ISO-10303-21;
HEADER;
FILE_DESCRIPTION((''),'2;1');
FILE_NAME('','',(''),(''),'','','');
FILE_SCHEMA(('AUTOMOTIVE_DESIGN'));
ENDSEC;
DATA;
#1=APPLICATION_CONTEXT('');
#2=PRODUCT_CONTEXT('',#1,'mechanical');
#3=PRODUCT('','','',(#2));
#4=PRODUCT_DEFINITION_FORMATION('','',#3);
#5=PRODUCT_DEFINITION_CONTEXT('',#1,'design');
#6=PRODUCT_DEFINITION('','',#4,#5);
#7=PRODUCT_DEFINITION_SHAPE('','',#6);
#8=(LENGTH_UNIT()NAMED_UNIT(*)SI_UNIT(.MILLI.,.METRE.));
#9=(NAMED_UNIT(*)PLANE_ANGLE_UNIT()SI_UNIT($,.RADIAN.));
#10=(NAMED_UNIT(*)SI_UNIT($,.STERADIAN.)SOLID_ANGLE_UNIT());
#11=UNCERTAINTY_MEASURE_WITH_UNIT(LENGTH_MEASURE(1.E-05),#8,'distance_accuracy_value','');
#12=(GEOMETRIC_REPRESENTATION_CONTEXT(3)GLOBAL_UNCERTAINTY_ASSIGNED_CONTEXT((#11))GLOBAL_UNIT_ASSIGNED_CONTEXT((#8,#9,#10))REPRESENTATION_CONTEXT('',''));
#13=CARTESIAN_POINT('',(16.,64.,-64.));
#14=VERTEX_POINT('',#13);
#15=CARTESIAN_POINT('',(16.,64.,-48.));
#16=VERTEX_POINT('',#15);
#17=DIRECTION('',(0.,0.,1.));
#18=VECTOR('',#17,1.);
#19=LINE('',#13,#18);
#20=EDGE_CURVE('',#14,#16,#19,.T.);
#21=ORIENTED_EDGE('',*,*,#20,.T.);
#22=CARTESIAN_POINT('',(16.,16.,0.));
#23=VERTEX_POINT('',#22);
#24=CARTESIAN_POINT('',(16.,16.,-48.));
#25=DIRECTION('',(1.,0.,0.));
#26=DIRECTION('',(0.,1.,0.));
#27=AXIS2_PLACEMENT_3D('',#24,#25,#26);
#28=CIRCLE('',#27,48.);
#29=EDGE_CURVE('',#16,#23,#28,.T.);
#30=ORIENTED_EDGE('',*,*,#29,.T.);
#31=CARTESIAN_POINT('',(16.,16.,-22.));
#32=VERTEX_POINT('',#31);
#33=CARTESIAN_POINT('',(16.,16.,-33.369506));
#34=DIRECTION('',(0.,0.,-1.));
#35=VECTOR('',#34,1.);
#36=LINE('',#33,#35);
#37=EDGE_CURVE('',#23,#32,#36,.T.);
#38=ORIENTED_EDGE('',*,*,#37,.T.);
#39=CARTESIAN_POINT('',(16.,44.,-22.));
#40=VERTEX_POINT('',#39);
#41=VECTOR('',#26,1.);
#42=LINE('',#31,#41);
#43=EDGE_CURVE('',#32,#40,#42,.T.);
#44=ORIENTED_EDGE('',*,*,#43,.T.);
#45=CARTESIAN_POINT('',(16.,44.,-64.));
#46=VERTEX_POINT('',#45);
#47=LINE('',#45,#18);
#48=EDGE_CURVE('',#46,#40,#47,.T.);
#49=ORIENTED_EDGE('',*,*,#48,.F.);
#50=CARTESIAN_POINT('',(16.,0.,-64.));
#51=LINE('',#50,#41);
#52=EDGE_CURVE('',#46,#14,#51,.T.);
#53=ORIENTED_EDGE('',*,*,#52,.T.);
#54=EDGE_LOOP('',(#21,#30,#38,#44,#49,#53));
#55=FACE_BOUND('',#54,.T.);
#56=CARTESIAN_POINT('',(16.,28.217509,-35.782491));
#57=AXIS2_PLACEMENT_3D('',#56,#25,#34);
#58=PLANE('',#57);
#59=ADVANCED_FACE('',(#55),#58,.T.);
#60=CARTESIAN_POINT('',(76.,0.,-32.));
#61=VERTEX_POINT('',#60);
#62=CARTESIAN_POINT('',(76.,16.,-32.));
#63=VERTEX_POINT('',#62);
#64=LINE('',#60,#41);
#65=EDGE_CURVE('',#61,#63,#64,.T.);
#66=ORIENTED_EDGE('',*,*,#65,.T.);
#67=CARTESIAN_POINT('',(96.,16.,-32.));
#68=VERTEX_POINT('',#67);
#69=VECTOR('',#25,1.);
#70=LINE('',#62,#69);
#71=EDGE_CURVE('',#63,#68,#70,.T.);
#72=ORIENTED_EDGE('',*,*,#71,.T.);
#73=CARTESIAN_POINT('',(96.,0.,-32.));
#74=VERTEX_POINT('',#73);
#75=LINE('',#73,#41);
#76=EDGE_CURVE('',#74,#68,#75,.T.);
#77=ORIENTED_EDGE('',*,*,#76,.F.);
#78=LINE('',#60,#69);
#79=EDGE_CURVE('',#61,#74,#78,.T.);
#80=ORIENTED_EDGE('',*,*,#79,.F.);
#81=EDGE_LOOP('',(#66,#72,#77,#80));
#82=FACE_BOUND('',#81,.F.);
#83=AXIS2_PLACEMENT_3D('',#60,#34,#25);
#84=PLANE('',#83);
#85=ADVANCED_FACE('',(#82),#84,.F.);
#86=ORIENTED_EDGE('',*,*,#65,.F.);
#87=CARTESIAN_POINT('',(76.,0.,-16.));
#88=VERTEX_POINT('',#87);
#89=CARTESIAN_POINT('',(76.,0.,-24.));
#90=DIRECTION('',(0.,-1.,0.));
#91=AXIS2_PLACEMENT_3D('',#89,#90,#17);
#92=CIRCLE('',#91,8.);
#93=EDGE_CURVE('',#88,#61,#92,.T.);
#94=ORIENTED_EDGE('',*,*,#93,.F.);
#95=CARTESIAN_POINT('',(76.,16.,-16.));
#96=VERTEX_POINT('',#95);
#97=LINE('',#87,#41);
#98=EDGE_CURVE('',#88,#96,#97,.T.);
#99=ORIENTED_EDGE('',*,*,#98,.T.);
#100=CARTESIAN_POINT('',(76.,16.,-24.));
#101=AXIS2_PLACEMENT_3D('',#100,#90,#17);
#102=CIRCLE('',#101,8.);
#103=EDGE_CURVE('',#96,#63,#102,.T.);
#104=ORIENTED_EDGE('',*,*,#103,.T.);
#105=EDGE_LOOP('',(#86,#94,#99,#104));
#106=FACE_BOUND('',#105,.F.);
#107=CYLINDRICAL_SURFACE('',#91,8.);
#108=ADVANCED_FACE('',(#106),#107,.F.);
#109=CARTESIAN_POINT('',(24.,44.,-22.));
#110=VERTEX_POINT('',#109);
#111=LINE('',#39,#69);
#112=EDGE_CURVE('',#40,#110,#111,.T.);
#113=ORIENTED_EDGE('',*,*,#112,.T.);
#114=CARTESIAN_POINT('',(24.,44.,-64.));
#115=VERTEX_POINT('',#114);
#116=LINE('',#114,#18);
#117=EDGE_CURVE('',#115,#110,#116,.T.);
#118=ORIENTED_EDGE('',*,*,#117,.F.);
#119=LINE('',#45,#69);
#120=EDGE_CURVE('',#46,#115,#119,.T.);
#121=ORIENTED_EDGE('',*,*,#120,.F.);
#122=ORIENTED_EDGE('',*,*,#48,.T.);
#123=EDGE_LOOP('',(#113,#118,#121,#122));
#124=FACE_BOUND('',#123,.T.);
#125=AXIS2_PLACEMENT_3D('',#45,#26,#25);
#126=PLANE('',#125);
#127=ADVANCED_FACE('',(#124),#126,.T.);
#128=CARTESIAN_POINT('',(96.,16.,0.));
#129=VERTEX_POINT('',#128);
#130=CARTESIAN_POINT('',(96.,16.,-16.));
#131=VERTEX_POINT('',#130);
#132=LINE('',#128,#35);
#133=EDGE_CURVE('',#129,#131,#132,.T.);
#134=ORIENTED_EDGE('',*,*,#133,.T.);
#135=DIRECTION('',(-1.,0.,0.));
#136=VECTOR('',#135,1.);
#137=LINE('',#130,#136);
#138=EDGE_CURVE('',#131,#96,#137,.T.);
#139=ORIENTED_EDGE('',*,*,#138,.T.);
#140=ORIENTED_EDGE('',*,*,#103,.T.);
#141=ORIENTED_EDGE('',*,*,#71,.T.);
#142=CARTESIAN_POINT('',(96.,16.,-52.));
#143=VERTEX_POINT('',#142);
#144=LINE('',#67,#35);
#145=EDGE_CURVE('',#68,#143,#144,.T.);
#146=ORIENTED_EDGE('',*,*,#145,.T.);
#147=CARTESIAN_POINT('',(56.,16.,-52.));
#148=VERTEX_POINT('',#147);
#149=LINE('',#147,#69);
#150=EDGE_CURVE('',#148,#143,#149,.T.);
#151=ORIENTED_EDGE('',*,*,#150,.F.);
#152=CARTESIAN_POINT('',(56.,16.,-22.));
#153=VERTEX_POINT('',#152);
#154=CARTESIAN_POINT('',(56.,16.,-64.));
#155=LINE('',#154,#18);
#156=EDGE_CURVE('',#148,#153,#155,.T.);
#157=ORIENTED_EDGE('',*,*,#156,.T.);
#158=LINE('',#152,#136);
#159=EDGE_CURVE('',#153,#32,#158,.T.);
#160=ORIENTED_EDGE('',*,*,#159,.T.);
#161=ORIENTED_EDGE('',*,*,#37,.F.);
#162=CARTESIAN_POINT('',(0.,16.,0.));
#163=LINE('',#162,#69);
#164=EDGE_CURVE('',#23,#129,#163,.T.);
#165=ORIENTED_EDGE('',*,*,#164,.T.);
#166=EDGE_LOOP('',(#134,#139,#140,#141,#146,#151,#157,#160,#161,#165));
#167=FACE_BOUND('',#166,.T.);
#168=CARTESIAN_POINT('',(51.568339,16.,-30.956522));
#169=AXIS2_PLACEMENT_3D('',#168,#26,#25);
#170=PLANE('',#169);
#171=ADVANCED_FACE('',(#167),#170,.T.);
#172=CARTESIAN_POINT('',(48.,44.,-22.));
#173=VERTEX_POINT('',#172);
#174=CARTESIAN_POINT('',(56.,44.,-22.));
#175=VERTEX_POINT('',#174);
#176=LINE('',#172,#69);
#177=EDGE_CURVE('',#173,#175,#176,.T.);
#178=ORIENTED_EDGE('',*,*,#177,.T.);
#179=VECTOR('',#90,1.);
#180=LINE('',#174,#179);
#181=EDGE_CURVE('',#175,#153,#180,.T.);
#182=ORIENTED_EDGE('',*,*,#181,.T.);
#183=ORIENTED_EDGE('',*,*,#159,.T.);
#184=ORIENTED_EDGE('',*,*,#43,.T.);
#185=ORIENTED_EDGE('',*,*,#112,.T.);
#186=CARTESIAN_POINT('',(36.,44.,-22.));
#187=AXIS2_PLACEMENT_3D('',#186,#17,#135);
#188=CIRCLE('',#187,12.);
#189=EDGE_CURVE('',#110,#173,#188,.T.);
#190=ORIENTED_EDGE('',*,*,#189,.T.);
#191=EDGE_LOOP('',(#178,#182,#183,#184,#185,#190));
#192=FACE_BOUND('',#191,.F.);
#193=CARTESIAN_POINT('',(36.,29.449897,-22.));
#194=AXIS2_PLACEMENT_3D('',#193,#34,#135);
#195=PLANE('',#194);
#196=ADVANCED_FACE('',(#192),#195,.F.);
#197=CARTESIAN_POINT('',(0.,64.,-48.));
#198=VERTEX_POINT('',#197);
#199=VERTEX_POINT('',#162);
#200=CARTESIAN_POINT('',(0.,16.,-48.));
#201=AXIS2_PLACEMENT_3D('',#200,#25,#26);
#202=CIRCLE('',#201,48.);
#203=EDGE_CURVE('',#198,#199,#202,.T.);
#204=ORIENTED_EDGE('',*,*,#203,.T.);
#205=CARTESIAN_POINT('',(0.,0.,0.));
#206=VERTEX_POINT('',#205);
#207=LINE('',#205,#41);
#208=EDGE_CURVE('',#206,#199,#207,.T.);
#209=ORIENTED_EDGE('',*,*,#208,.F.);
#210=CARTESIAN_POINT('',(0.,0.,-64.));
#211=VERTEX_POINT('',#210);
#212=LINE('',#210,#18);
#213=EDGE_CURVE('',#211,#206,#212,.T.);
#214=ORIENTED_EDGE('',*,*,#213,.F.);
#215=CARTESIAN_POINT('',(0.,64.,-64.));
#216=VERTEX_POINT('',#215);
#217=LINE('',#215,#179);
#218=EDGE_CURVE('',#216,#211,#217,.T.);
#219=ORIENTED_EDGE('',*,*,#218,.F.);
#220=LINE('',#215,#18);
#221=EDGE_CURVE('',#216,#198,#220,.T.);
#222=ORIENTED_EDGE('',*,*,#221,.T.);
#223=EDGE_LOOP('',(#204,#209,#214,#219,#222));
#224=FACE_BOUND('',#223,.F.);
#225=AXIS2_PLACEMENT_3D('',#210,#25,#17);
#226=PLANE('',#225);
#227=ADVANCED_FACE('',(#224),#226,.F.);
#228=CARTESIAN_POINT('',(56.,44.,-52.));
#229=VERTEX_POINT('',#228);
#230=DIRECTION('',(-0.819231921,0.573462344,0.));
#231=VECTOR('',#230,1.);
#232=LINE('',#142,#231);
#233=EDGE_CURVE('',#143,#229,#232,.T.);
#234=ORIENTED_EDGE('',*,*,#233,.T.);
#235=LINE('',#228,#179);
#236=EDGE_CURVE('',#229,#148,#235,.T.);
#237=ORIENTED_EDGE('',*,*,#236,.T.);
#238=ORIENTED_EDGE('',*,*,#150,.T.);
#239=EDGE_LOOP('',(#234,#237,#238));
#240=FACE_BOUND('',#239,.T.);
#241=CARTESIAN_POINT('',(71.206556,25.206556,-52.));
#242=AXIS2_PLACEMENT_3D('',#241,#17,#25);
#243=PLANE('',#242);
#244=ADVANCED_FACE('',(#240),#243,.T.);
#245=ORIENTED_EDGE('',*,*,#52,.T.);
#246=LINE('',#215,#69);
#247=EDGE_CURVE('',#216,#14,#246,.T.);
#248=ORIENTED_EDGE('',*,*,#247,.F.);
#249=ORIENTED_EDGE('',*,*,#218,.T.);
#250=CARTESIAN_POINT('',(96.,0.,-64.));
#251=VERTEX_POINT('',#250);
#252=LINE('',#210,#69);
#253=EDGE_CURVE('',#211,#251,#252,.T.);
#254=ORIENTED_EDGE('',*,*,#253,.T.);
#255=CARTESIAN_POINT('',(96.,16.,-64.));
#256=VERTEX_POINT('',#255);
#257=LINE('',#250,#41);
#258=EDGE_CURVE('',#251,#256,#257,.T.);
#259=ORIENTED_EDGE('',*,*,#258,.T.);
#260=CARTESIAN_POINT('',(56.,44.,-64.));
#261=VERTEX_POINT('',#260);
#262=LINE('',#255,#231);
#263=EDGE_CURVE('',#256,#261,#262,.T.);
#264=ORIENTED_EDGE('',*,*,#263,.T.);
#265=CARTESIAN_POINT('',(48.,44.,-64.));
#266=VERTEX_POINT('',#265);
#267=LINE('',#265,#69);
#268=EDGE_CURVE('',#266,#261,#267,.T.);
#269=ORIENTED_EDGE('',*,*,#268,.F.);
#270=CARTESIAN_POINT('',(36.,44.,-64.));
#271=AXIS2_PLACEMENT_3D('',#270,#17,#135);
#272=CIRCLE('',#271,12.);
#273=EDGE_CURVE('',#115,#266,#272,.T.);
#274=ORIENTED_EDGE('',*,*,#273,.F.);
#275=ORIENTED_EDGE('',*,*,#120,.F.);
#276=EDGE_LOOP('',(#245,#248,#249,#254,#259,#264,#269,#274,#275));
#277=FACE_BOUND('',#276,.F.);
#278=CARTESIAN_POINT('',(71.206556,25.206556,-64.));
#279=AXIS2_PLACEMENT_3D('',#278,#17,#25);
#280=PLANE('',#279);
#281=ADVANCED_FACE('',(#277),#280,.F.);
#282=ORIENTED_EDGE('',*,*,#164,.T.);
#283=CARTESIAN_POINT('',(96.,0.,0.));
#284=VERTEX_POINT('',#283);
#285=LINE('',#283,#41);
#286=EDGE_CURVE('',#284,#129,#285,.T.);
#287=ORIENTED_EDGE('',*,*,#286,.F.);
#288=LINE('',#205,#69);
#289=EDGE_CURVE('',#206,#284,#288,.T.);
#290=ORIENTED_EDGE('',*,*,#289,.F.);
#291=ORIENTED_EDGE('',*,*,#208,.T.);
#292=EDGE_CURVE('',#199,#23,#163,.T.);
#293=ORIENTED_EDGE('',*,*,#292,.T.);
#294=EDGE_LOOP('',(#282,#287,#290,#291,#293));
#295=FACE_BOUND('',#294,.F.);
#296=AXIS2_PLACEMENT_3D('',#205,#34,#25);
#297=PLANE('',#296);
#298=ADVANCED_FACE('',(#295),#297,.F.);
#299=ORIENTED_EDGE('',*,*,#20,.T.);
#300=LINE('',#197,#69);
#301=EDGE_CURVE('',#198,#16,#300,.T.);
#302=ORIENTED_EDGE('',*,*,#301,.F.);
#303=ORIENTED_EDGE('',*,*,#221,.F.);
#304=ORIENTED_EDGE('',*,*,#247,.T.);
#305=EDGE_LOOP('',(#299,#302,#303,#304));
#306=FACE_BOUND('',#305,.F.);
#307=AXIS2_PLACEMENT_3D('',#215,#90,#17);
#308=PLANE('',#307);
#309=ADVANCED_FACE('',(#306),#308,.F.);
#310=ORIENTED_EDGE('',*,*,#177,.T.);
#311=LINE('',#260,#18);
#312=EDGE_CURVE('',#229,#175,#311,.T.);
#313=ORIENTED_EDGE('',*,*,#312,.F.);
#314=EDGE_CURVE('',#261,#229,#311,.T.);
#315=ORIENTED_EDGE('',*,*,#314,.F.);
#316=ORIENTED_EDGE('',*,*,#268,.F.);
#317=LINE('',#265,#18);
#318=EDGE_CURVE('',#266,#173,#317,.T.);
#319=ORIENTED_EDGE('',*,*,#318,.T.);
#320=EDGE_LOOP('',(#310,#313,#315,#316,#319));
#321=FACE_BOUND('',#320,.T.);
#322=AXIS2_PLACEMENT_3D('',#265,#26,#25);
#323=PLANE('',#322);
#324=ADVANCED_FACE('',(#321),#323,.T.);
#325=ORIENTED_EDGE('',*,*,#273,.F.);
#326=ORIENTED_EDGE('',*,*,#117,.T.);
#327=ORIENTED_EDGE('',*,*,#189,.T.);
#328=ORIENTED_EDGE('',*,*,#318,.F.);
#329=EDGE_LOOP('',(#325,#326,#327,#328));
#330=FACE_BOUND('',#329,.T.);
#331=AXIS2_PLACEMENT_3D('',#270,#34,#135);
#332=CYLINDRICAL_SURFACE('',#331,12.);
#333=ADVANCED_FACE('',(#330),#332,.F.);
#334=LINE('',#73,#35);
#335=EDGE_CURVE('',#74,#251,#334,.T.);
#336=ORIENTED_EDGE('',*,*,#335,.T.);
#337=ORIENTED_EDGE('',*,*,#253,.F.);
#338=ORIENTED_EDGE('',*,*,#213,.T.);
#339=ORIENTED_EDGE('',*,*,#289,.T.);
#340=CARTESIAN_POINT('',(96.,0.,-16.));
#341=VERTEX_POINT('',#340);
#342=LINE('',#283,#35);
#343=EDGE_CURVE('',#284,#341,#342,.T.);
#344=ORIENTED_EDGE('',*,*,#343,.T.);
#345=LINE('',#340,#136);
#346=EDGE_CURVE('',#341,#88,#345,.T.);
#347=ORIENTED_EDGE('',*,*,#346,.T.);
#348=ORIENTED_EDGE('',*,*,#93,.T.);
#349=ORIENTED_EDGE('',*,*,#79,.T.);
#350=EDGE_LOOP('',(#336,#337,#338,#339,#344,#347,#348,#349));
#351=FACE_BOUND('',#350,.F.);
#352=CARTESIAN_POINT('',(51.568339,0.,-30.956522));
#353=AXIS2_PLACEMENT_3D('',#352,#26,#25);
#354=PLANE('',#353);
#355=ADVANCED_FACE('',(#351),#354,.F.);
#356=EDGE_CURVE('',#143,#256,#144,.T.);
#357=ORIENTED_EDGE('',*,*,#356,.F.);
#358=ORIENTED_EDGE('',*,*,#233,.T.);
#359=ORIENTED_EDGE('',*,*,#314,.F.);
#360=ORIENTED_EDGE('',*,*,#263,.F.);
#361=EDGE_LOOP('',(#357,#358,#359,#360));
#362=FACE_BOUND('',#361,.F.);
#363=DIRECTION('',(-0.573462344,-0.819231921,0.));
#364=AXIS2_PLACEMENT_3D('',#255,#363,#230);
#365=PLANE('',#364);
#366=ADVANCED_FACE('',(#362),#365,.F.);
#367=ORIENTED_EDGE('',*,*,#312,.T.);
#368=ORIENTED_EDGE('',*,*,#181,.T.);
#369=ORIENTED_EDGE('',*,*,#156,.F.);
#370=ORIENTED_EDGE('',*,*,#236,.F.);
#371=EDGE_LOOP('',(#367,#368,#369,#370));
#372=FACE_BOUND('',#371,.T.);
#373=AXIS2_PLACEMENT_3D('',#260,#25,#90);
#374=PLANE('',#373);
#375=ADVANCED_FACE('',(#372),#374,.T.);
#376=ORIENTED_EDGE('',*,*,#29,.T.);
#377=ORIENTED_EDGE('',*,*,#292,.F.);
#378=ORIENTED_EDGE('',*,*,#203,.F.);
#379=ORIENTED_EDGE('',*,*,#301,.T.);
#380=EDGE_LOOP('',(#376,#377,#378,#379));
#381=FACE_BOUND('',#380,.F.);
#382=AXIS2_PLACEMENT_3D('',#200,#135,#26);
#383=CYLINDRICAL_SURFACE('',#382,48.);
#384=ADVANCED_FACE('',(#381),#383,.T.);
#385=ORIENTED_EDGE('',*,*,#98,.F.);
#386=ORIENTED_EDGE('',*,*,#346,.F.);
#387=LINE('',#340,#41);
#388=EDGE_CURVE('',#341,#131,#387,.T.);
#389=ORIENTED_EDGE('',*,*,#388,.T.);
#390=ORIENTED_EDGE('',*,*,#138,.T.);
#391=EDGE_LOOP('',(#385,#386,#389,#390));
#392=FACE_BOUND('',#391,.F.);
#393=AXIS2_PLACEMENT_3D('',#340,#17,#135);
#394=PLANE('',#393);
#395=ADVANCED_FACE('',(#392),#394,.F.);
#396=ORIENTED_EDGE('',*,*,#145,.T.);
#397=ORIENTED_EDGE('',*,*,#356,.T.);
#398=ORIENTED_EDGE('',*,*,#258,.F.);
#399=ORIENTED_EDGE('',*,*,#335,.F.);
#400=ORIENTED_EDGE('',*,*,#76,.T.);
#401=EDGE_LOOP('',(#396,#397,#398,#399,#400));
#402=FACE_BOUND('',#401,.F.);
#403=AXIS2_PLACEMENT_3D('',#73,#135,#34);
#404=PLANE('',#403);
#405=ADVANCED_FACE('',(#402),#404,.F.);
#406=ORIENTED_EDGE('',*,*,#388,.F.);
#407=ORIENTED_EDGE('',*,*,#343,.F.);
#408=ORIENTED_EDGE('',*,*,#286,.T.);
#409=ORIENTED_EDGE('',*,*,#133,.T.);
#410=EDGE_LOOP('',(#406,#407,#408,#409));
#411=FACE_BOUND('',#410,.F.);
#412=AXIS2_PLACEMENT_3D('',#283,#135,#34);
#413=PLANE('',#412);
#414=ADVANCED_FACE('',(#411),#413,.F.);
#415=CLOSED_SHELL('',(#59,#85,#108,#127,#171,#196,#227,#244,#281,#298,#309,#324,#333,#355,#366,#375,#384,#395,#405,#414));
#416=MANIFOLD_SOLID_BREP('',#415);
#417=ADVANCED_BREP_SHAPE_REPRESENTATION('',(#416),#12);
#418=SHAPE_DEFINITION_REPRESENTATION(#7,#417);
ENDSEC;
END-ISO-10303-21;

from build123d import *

# Parameters (mm, degrees)
BOSS_EXTRUDE3_DEPTH = 16
BOSS_EXTRUDE4_DEPTH = 16
BOSS_EXTRUDE5_DEPTH = 42
BOSS_EXTRUDE6_DEPTH = 12


with BuildPart() as part:
    # Sketch5 → Boss-Extrude3 (new body)
    with BuildSketch(Plane(origin=(0, 0, 0), x_dir=(1, 0, 0), z_dir=(0, 1, 0))):
        with BuildLine():
            Line((0, 0), (96, 0))
            Line((96, 0), (96, 16))
            Line((96, 16), (76, 16))
            ThreePointArc((76, 16), (68, 24), (76, 32))
            Line((76, 32), (96, 32))
            Line((96, 32), (96, 64))
            Line((96, 64), (0, 64))
            Line((0, 64), (0, 0))
        make_face()
    extrude(amount=BOSS_EXTRUDE3_DEPTH)

    # Sketch6 → Boss-Extrude4 (add)
    with BuildSketch(Plane.ZY):
        with BuildLine():
            Line((-64, 0), (-64, 64))
            Line((-64, 64), (-48, 64))
            ThreePointArc((-48, 64), (-14.058874503, 49.941125497), (0, 16))
            Line((0, 16), (0, 0))
            Line((0, 0), (-64, 0))
        make_face()
    extrude(amount=-BOSS_EXTRUDE4_DEPTH)

    # Sketch7 → Boss-Extrude5 (add)
    with BuildSketch(Plane(origin=(0, 0, -64), x_dir=(-1, 0, 0), z_dir=(0, 0, -1))):
        with BuildLine():
            Line((-56, 16), (-16, 16))
            Line((-16, 16), (-16, 44))
            Line((-16, 44), (-24, 44))
            ThreePointArc((-24, 44), (-36, 32), (-48, 44))
            Line((-48, 44), (-56, 44))
            Line((-56, 44), (-56, 16))
        make_face()
    extrude(amount=-BOSS_EXTRUDE5_DEPTH)

    # Sketch8 → Boss-Extrude6 (add)
    with BuildSketch(Plane(origin=(0, 0, -64), x_dir=(-1, 0, 0), z_dir=(0, 0, -1))):
        Polygon((-96, 16), (-56, 44), (-56, 16), align=None)
    extrude(amount=-BOSS_EXTRUDE6_DEPTH)


solid = part.part
